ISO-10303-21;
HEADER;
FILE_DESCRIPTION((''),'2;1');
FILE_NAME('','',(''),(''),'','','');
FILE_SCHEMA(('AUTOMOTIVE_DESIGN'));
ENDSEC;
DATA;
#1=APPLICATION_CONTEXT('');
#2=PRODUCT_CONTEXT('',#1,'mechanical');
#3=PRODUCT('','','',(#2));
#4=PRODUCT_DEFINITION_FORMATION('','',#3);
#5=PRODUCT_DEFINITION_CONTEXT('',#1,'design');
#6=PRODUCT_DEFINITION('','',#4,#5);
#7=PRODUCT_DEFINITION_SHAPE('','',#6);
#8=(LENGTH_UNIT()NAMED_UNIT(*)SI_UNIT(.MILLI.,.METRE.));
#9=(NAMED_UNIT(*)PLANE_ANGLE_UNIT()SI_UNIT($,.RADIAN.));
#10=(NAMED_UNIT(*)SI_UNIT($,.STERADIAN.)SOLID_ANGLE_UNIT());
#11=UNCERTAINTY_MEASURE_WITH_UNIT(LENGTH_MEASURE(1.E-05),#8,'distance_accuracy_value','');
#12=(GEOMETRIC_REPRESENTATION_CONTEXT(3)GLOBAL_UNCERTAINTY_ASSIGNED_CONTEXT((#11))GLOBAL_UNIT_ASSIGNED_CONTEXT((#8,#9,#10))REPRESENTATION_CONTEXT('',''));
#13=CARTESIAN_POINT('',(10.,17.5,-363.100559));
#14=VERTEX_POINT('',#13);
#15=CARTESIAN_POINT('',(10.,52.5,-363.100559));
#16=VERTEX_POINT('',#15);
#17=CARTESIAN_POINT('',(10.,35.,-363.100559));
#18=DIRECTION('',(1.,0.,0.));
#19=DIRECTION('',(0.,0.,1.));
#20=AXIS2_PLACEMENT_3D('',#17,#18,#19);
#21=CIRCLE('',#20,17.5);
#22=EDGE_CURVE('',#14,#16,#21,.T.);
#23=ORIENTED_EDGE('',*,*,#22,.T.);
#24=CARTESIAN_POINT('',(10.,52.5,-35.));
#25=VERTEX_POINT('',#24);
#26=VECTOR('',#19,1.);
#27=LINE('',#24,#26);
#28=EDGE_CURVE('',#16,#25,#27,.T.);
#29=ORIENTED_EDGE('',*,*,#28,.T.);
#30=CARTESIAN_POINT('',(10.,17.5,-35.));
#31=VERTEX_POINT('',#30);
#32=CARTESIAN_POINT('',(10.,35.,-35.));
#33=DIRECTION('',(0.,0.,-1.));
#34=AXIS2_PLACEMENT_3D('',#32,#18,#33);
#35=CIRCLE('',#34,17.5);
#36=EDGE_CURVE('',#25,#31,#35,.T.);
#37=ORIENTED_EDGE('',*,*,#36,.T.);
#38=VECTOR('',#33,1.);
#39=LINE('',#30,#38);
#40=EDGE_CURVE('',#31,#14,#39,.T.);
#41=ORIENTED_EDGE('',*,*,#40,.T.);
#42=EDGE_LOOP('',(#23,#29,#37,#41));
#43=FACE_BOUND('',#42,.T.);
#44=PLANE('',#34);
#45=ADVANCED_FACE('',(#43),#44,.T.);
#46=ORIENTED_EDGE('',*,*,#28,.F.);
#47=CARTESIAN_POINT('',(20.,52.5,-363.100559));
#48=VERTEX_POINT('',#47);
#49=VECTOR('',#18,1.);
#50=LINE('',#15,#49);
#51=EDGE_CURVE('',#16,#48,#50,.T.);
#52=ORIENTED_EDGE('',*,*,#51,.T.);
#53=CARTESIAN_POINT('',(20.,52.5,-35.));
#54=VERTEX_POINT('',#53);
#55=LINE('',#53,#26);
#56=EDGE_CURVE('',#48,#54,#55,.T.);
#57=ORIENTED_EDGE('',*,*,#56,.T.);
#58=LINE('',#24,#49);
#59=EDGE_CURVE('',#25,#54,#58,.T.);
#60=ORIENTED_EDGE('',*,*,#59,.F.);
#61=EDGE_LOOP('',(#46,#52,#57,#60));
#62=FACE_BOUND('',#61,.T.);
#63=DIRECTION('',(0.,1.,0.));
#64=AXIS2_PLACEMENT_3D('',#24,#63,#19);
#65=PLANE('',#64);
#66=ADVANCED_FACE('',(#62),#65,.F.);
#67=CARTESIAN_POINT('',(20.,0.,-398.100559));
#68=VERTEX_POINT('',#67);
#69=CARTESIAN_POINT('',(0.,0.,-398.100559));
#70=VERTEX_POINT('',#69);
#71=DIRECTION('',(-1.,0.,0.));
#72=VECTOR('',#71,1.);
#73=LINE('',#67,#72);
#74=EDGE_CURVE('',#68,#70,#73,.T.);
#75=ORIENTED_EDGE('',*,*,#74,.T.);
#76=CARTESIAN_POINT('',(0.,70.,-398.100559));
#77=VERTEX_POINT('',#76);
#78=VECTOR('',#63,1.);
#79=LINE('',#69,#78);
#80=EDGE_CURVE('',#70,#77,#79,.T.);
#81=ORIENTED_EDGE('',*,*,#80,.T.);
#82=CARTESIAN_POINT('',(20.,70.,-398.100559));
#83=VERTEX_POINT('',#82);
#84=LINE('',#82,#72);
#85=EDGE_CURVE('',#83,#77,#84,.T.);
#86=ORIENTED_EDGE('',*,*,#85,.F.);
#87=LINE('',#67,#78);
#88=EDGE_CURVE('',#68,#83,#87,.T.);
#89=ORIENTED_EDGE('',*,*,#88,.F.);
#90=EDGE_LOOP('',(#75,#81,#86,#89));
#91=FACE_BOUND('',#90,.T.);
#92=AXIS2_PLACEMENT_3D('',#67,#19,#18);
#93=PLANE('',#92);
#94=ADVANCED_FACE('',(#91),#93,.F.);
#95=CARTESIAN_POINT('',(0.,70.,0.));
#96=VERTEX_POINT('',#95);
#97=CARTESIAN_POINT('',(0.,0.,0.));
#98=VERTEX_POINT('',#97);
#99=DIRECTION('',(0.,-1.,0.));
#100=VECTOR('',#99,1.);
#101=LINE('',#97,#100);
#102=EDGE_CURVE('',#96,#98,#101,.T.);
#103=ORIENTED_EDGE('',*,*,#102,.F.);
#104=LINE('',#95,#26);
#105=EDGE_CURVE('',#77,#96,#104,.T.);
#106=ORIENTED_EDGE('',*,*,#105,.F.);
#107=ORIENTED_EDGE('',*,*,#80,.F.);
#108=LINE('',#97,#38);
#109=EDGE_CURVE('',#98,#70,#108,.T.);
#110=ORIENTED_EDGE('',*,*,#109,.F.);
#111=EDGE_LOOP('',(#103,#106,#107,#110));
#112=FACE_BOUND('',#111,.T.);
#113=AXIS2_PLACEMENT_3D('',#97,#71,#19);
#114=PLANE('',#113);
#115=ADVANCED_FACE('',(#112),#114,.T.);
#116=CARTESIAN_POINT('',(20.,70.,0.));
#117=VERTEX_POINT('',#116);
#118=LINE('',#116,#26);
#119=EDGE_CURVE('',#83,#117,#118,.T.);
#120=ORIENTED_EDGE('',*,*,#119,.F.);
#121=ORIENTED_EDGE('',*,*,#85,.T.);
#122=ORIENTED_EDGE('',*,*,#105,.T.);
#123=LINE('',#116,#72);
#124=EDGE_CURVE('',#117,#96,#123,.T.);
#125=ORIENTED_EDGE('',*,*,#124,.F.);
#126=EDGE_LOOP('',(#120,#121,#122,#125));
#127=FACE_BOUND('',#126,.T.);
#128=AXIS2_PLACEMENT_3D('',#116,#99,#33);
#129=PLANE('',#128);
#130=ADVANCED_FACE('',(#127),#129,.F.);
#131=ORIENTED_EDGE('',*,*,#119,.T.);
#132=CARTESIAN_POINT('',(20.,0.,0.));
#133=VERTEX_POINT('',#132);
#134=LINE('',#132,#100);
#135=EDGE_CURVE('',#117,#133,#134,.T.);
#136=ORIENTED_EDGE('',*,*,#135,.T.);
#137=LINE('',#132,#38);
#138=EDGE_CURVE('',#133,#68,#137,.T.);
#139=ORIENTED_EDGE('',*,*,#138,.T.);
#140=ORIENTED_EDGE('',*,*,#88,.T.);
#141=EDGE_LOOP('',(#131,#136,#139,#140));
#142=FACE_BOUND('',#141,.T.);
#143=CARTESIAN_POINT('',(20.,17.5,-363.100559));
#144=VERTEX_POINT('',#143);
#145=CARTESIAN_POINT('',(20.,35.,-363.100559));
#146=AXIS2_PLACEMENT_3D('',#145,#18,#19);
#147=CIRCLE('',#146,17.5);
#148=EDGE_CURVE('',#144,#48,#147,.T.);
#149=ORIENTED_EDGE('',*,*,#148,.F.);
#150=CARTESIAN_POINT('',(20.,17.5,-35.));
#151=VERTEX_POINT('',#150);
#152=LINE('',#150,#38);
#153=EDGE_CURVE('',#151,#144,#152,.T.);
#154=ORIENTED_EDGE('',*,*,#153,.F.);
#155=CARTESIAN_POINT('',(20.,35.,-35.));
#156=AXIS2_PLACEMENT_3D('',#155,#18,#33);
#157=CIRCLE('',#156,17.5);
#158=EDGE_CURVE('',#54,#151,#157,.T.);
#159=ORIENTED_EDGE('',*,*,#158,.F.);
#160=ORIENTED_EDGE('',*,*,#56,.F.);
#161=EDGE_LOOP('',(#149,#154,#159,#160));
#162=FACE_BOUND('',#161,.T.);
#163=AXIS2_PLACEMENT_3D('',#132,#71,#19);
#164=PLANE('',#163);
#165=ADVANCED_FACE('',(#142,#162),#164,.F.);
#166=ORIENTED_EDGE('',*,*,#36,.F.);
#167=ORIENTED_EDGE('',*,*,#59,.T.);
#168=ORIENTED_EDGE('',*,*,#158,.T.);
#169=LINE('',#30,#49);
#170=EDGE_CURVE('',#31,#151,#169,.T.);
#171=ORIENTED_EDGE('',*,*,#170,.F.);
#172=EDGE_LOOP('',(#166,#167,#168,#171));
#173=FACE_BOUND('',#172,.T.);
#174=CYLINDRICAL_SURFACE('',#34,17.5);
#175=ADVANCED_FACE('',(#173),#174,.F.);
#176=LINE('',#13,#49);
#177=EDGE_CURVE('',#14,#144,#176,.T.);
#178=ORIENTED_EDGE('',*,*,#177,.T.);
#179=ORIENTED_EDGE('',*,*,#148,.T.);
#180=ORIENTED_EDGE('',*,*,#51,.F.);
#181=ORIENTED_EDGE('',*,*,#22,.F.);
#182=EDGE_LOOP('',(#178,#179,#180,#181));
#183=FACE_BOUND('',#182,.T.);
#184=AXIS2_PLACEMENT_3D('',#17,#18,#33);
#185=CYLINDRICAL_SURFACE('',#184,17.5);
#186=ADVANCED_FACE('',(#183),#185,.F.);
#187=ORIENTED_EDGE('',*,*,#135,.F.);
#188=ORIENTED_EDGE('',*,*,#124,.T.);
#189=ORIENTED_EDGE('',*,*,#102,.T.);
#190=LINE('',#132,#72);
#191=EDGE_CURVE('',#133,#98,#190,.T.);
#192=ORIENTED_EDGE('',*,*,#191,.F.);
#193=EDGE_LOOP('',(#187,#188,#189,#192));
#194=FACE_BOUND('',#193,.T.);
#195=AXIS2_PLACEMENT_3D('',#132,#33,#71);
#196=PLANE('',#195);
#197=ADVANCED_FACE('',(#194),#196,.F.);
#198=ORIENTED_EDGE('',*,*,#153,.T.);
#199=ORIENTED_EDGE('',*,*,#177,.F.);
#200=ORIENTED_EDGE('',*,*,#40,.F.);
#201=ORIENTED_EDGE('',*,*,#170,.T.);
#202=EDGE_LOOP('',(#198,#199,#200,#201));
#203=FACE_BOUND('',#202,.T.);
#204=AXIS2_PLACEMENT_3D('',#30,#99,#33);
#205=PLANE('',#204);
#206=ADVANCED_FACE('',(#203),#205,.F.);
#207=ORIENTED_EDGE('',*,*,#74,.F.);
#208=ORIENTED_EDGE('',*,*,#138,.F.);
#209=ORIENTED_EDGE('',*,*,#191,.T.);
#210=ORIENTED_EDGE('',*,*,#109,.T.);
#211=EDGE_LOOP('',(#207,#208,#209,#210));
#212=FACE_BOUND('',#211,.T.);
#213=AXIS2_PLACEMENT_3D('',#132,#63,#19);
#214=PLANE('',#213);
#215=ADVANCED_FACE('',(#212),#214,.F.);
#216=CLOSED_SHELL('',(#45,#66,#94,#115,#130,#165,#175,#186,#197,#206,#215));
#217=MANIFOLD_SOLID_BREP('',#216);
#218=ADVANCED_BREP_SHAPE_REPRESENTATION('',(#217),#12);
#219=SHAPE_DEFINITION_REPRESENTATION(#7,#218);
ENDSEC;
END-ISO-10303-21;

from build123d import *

# Parameters (mm, degrees)
SKETCH2_W           = 398.100558659
SKETCH2_H           = 70
BOSS_EXTRUDE1_DEPTH = 20
CUT_EXTRUDE1_DEPTH  = 10


with BuildPart() as part:
    # Sketch2 → Boss-Extrude1 (new body)
    with BuildSketch(Plane(origin=(0, 0, 0), x_dir=(0, 0, -1), z_dir=(1, 0, 0))):
        with Locations((199.05027933, 35)):
            Rectangle(SKETCH2_W, SKETCH2_H)
    extrude(amount=BOSS_EXTRUDE1_DEPTH)

    # Sketch3 → Cut-Extrude1 (cut)
    with BuildSketch(Plane(origin=(20, 0, 0), x_dir=(0, 0, -1), z_dir=(1, 0, 0))):
        with BuildLine():
            Line((35, 52.5), (363.100558659, 52.5))
            ThreePointArc((363.100558659, 52.5), (380.600558659, 35), (363.100558659, 17.5))
            Line((363.100558659, 17.5), (35, 17.5))
            ThreePointArc((35, 17.5), (17.5, 35), (35, 52.5))
        make_face()
    extrude(amount=-CUT_EXTRUDE1_DEPTH, mode=Mode.SUBTRACT)


solid = part.part
